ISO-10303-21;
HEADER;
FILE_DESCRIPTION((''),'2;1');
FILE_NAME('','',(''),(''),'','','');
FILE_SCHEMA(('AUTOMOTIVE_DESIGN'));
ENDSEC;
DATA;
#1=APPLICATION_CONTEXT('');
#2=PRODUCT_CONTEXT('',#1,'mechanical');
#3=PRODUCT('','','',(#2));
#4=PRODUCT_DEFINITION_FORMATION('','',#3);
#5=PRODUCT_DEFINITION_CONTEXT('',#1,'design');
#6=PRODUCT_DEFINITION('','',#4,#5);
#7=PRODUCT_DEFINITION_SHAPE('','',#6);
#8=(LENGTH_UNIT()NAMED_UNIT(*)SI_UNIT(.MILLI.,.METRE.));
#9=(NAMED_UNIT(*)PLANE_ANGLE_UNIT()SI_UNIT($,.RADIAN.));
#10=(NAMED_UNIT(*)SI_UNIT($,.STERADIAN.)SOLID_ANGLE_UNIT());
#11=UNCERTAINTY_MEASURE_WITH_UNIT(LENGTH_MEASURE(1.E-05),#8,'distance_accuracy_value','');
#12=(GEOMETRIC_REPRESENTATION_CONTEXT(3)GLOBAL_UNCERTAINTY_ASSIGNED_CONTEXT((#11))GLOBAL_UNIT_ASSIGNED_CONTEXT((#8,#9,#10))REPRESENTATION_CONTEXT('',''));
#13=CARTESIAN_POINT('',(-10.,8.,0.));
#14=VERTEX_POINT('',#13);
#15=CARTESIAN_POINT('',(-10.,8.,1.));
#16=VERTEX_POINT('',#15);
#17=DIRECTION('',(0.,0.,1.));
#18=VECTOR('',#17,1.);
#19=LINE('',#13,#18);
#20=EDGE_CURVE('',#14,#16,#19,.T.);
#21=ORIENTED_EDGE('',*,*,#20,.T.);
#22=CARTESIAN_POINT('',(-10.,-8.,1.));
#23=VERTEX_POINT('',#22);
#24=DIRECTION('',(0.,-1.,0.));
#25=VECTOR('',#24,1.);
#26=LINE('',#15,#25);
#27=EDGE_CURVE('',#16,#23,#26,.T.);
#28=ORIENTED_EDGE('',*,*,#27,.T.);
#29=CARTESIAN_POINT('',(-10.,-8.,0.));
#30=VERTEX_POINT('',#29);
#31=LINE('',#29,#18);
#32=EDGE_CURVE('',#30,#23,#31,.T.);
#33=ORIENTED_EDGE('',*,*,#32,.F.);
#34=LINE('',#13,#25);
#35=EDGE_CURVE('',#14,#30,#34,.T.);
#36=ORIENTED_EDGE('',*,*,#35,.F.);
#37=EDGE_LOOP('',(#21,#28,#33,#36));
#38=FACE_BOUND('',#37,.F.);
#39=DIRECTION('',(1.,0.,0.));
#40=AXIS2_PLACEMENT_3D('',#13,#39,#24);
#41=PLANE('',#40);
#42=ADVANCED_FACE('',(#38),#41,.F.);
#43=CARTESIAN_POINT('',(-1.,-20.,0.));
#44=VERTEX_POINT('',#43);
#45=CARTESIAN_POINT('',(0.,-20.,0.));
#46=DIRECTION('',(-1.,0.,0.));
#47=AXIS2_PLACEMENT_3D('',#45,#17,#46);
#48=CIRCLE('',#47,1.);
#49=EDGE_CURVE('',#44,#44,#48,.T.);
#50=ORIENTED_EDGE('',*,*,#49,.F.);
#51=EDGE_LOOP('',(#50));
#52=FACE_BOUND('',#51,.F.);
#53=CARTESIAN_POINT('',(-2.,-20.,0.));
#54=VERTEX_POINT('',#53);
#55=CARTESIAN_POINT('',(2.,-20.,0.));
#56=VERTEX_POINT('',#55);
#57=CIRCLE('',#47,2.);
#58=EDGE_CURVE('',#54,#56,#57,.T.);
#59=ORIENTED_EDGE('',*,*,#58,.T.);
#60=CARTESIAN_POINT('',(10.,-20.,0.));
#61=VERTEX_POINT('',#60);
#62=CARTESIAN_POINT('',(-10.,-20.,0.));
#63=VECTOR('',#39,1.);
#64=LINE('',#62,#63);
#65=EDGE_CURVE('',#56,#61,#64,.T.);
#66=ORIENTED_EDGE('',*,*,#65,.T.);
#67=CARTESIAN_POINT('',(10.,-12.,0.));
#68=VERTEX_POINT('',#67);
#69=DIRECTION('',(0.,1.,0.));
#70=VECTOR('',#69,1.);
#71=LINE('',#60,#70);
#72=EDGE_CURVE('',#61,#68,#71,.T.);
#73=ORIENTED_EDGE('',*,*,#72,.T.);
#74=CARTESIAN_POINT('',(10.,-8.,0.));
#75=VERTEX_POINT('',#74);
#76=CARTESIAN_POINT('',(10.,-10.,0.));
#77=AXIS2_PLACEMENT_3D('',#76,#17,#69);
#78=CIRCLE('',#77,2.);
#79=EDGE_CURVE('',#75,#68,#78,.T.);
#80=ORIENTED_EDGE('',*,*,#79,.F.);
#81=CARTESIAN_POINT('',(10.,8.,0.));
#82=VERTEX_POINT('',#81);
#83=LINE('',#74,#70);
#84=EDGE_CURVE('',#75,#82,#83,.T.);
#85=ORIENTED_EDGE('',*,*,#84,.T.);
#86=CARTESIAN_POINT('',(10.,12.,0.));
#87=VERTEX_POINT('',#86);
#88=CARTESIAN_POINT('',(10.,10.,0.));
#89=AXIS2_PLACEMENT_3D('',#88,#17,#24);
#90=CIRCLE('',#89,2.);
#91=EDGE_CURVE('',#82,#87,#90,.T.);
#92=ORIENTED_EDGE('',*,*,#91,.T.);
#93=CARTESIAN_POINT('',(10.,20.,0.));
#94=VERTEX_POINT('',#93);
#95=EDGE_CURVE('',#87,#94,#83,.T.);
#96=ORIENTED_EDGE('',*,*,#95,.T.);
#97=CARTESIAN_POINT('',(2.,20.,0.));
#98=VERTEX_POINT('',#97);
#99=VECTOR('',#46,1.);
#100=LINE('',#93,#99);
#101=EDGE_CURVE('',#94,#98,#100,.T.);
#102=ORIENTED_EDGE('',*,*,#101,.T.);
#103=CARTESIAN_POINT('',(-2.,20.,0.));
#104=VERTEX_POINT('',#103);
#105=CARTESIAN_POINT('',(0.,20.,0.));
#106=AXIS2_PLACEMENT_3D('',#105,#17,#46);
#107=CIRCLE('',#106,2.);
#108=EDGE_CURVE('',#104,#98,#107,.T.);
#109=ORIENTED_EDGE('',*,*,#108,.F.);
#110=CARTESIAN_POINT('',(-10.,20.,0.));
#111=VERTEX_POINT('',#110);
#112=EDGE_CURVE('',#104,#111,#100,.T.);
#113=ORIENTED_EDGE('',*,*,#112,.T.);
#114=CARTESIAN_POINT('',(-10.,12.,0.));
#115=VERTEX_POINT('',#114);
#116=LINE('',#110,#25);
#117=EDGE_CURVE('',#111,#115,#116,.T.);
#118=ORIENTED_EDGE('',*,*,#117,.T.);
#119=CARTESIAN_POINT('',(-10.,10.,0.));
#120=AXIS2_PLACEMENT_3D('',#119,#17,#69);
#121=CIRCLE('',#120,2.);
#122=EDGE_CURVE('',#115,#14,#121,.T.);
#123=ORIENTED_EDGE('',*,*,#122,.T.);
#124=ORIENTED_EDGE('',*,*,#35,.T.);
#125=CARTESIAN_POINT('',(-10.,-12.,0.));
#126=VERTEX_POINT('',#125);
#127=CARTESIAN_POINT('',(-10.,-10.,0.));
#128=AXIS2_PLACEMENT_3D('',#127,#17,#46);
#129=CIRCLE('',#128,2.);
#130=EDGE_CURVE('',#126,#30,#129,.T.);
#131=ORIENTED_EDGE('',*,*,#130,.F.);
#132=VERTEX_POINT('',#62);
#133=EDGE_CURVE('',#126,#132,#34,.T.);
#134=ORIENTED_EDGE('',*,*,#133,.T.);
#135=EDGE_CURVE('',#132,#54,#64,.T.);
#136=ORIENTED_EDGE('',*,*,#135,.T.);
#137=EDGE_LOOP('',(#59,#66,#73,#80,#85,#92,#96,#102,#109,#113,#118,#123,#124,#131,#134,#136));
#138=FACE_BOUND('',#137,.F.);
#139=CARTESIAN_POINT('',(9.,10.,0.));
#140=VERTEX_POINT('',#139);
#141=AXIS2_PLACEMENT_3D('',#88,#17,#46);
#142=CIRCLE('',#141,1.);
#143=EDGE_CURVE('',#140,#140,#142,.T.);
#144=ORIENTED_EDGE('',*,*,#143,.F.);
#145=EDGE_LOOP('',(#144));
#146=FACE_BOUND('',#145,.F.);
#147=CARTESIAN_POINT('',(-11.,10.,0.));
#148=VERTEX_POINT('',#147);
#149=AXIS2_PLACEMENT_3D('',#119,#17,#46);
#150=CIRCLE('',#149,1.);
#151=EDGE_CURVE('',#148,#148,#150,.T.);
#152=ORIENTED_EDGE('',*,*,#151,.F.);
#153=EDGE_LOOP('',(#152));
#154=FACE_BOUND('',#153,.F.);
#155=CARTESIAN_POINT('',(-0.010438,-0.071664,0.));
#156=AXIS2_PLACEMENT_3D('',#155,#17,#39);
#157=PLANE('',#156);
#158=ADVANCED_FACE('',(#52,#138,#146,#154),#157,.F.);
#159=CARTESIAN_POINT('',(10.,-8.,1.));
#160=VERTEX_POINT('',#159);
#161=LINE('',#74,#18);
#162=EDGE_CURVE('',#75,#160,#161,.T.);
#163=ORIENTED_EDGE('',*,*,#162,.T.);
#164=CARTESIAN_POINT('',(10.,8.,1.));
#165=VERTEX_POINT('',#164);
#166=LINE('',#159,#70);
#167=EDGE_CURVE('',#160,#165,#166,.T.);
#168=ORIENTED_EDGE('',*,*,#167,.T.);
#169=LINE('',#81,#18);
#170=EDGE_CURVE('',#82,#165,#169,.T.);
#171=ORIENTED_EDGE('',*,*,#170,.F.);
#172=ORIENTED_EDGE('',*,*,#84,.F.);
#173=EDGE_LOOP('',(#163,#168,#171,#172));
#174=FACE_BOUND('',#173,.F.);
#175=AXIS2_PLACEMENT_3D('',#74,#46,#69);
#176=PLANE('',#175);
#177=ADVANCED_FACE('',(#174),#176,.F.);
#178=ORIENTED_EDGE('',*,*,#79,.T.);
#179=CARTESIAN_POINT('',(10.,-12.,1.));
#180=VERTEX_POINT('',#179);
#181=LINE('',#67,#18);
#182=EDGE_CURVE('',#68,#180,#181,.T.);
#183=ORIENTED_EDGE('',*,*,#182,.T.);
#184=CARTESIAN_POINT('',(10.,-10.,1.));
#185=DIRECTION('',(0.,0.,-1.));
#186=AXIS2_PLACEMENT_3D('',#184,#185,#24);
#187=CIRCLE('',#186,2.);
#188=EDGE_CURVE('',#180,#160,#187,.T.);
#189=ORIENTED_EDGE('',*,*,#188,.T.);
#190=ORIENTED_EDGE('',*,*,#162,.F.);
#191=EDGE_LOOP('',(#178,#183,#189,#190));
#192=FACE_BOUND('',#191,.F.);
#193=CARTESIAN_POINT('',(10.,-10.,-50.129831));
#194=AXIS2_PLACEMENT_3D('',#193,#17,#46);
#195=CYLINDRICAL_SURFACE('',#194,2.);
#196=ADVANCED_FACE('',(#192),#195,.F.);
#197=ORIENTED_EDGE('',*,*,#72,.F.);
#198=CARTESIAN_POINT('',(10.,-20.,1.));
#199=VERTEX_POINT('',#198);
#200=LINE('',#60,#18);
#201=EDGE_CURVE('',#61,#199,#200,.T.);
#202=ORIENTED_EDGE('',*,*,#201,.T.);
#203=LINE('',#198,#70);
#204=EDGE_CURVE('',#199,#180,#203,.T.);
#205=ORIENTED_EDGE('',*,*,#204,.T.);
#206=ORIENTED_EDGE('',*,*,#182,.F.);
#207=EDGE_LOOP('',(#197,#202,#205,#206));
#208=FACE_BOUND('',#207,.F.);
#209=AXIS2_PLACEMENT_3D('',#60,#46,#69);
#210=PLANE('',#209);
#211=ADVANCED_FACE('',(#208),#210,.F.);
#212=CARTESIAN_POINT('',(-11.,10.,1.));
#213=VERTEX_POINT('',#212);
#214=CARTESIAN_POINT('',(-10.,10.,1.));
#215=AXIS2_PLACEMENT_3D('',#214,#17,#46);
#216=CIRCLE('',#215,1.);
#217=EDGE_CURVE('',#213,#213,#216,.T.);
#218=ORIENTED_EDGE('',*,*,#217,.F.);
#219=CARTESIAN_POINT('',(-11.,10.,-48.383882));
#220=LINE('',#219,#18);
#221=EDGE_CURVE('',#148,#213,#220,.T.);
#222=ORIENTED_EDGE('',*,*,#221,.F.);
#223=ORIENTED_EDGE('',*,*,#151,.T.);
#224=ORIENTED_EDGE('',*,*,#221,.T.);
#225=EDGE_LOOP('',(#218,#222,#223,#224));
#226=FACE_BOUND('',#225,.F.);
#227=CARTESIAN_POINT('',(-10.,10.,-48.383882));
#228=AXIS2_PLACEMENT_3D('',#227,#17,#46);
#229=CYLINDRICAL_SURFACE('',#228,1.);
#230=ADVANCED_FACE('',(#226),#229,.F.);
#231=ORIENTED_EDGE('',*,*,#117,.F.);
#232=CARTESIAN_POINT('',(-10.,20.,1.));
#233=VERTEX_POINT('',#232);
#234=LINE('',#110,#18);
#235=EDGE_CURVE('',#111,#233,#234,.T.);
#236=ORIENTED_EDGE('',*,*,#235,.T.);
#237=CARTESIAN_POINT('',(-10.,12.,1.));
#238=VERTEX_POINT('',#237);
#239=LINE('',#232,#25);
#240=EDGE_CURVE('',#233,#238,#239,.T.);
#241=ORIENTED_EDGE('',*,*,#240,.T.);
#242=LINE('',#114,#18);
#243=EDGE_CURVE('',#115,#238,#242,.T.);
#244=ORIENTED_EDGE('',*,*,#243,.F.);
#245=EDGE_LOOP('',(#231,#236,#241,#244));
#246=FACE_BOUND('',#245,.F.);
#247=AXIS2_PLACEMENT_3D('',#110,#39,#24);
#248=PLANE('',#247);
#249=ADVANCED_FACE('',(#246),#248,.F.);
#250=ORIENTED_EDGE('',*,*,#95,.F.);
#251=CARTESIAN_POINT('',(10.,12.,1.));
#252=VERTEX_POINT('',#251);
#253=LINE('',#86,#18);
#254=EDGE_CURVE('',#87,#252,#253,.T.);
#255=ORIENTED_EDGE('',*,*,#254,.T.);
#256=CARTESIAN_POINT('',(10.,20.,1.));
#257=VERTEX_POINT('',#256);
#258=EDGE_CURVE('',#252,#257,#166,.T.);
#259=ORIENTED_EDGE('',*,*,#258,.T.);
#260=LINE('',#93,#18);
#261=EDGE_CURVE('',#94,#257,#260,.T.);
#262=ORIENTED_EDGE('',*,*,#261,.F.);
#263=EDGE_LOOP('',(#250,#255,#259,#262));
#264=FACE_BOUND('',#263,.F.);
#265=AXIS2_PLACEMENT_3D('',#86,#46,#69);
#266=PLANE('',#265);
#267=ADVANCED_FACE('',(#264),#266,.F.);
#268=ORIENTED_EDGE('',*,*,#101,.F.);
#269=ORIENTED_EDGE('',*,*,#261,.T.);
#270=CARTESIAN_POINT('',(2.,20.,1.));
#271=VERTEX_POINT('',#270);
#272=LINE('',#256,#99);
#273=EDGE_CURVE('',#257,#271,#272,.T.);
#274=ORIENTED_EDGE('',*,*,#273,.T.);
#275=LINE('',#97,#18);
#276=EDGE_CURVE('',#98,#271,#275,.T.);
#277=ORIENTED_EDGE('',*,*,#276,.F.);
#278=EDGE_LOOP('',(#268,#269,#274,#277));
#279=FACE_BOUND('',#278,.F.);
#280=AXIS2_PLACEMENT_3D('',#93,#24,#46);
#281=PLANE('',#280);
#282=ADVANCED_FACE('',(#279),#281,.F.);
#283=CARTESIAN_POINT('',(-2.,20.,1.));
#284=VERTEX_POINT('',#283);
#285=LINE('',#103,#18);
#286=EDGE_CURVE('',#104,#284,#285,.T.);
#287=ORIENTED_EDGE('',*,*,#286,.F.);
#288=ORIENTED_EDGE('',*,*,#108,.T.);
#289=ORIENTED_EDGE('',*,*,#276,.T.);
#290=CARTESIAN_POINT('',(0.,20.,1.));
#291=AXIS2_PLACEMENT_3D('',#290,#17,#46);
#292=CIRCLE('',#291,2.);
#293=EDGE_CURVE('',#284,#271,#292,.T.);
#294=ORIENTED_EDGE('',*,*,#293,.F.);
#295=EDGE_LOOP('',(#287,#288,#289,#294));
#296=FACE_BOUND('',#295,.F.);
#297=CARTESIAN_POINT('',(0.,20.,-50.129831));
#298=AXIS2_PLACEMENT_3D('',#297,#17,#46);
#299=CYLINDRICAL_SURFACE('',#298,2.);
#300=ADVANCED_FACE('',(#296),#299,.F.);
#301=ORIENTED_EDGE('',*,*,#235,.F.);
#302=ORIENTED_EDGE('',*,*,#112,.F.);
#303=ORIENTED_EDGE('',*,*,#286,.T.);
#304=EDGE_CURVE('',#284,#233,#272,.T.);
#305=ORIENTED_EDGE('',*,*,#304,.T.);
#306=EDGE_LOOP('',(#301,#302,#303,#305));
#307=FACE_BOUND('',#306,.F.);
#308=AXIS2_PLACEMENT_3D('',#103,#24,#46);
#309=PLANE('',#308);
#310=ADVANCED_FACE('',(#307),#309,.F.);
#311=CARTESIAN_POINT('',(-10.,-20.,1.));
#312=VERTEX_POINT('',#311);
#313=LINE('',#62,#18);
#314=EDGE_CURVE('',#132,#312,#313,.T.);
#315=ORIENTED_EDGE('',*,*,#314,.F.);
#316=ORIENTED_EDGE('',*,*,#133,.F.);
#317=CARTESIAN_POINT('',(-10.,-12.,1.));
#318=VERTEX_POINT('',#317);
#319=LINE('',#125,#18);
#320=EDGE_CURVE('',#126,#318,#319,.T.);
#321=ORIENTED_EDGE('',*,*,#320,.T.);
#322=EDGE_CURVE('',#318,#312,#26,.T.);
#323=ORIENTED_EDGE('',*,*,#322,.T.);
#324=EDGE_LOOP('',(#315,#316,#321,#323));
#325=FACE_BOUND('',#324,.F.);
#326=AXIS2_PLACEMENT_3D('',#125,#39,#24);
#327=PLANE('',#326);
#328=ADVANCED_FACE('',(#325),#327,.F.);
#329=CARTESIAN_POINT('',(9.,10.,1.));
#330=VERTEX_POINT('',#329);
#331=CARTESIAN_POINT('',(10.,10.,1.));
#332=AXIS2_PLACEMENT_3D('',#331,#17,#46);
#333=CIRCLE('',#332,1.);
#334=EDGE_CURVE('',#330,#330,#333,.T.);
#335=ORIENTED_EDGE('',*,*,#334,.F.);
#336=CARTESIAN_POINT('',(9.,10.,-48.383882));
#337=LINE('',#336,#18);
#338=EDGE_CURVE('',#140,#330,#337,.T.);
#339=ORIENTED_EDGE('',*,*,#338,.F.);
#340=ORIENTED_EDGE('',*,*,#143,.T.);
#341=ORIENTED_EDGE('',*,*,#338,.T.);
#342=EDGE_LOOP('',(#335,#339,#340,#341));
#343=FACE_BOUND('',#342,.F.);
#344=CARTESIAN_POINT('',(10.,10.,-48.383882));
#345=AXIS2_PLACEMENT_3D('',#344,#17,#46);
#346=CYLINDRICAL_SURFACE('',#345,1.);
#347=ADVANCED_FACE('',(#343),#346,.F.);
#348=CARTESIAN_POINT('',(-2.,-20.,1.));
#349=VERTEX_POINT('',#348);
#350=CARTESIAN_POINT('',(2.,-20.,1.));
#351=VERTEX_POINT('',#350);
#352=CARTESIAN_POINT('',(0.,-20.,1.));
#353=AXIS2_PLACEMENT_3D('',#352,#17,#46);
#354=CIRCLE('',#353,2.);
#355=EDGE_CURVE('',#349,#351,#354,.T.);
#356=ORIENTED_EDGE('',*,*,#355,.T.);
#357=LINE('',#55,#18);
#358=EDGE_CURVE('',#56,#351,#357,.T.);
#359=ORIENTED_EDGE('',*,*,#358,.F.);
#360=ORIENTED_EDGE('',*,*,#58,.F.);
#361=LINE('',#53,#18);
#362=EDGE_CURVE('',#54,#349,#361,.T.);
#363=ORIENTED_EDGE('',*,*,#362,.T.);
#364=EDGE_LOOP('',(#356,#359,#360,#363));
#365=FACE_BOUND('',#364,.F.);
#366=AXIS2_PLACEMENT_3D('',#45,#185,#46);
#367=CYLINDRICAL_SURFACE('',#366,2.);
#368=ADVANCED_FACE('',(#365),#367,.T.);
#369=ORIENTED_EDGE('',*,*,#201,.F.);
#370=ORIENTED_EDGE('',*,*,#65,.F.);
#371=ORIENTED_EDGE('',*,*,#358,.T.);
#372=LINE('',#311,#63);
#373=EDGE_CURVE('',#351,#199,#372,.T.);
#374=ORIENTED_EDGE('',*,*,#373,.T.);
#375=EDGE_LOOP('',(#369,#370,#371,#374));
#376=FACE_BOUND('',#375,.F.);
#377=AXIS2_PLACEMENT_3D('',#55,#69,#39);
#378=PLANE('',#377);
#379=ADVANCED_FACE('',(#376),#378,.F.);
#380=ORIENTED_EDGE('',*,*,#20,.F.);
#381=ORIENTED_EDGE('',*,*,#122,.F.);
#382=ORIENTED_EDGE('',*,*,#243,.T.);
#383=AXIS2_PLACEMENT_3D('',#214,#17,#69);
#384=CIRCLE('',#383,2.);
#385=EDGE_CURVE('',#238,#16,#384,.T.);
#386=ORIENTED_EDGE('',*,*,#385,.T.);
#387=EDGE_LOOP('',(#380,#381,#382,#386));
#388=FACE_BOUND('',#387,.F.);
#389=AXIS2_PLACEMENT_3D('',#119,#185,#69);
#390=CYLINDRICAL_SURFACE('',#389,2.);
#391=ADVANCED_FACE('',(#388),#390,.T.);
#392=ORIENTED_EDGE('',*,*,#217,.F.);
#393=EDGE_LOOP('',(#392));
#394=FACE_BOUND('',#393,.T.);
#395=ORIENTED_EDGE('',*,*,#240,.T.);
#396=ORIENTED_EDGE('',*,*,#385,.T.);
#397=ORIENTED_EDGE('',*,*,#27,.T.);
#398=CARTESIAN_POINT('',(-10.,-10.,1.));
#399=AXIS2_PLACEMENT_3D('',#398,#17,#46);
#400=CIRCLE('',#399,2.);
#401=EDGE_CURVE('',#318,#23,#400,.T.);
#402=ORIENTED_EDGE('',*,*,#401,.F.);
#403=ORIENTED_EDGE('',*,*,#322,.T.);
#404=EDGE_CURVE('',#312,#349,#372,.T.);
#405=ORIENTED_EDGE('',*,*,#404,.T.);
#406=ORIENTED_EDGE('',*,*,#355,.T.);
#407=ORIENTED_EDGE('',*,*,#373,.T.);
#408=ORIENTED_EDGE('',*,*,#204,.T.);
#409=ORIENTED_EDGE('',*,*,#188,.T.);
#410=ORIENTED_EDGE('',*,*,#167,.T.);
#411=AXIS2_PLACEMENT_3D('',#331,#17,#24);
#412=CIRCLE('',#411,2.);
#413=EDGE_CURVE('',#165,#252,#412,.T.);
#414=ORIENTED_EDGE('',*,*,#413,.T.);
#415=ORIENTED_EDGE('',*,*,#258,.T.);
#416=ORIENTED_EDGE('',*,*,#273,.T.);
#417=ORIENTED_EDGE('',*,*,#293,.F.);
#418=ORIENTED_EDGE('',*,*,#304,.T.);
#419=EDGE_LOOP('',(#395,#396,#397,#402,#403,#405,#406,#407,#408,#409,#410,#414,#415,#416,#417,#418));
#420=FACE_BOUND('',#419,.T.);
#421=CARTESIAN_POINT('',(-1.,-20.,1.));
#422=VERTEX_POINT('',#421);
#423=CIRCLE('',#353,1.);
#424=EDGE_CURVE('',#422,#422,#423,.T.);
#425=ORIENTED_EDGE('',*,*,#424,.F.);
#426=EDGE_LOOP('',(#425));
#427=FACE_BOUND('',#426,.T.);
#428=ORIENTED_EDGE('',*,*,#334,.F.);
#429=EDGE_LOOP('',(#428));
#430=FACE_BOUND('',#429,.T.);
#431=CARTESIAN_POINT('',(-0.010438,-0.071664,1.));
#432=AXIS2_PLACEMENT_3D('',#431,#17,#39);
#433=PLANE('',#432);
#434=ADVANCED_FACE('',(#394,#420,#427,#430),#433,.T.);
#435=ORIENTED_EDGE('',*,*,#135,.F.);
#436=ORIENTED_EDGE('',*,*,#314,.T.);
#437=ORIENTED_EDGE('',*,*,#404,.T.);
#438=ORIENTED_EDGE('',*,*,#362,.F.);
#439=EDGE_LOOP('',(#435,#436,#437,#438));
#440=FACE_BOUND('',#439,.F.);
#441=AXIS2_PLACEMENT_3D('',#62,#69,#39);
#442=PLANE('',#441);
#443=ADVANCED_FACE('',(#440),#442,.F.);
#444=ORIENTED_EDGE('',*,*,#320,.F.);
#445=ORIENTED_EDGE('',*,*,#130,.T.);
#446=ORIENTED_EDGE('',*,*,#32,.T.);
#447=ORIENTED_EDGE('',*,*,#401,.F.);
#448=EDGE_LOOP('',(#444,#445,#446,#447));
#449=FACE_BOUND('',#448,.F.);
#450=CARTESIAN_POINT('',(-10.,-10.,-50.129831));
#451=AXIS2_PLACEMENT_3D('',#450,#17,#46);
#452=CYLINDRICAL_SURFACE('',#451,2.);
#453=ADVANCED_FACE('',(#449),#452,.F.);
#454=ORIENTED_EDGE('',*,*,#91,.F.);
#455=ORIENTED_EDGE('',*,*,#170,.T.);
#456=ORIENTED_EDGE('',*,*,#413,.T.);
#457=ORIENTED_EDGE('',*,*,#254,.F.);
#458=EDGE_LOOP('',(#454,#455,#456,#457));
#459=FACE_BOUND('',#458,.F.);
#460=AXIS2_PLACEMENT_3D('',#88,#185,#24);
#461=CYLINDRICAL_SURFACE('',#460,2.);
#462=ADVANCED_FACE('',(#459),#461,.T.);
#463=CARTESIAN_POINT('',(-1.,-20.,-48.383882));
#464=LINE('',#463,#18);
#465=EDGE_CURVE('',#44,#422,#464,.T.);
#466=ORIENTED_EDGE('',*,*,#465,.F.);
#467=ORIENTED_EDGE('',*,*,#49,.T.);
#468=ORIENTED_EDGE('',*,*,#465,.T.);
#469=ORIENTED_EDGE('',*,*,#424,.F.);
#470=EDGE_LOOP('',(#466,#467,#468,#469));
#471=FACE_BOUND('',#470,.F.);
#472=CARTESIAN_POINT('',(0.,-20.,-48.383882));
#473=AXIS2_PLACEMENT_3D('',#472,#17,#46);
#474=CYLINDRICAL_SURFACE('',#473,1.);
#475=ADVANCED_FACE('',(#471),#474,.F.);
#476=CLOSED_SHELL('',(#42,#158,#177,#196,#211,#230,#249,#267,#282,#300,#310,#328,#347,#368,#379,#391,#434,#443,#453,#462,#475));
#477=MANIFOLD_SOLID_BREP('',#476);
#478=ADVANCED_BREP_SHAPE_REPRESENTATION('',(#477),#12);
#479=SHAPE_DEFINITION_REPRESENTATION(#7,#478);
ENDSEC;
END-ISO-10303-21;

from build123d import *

# Parameters (mm, degrees)
F1_DEPTH = 1
F2_D     = 4
F3_D     = 2


with BuildPart() as f1:
    # F0 (on Top) → F1 (new body)
    with BuildSketch(Plane.XY):
        with BuildLine():
            Line((10, 12), (10, 20))
            Line((10, 20), (2, 20))
            ThreePointArc((2, 20), (0, 18), (-2, 20))
            Line((-2, 20), (-10, 20))
            Line((-10, 20), (-10, 12))
            Line((-10, 12), (-10, 8))
            Line((-10, 8), (-10, -8))
            ThreePointArc((-10, -8), (-8.5857864376, -8.5857864376), (-8, -10))
            ThreePointArc((-8, -10), (-8.5857864376, -11.4142135624), (-10, -12))
            Line((-10, -12), (-10, -20))
            Line((-10, -20), (-2, -20))
            Line((-2, -20), (2, -20))
            Line((2, -20), (10, -20))
            Line((10, -20), (10, -12))
            ThreePointArc((10, -12), (8, -10), (10, -8))
            Line((10, -8), (10, 8))
            Line((10, 8), (10, 12))
        make_face()
        with BuildLine():
            ThreePointArc((-2, 20), (0, 18), (2, 20))
            Line((2, 20), (-2, 20))
        make_face()
        with BuildLine():
            Line((-2, 20), (2, 20))
            ThreePointArc((2, 20), (0, 22), (-2, 20))
        make_face()
        with BuildLine():
            ThreePointArc((10, 8), (12, 10), (10, 12))
            Line((10, 12), (10, 8))
        make_face()
        with BuildLine():
            ThreePointArc((12, -10), (11.4142135624, -8.5857864376), (10, -8))
            Line((10, -8), (10, -12))
            ThreePointArc((10, -12), (11.4142135624, -11.4142135624), (12, -10))
        make_face()
        with BuildLine():
            Line((10, -12), (10, -8))
            ThreePointArc((10, -8), (8, -10), (10, -12))
        make_face()
        with BuildLine():
            Line((-10, 8), (-10, 12))
            ThreePointArc((-10, 12), (-12, 10), (-10, 8))
        make_face()
        with BuildLine():
            ThreePointArc((-8, -10), (-8.5857864376, -8.5857864376), (-10, -8))
            Line((-10, -8), (-10, -12))
            ThreePointArc((-10, -12), (-8.5857864376, -11.4142135624), (-8, -10))
        make_face()
        with BuildLine():
            Line((-10, -12), (-10, -8))
            ThreePointArc((-10, -8), (-12, -10), (-10, -12))
        make_face()
        with BuildLine():
            ThreePointArc((-2, -20), (0, -22), (2, -20))
            Line((2, -20), (-2, -20))
        make_face()
    extrude(amount=F1_DEPTH)

    # F2 (through all)
    with Locations(Plane(origin=(0, 0, 0), x_dir=(1, 0, 0), z_dir=(0, 0, -1))):
        with Locations((0, -20), (-10, 10), (10, 10)):
            Hole(F2_D / 2)

    # F3 (through all)
    with Locations(Plane(origin=(0, 0, 0), x_dir=(1, 0, 0), z_dir=(0, 0, -1))):
        with Locations((-10, -10), (10, -10), (0, 20)):
            Hole(F3_D / 2)


solid = f1.part
